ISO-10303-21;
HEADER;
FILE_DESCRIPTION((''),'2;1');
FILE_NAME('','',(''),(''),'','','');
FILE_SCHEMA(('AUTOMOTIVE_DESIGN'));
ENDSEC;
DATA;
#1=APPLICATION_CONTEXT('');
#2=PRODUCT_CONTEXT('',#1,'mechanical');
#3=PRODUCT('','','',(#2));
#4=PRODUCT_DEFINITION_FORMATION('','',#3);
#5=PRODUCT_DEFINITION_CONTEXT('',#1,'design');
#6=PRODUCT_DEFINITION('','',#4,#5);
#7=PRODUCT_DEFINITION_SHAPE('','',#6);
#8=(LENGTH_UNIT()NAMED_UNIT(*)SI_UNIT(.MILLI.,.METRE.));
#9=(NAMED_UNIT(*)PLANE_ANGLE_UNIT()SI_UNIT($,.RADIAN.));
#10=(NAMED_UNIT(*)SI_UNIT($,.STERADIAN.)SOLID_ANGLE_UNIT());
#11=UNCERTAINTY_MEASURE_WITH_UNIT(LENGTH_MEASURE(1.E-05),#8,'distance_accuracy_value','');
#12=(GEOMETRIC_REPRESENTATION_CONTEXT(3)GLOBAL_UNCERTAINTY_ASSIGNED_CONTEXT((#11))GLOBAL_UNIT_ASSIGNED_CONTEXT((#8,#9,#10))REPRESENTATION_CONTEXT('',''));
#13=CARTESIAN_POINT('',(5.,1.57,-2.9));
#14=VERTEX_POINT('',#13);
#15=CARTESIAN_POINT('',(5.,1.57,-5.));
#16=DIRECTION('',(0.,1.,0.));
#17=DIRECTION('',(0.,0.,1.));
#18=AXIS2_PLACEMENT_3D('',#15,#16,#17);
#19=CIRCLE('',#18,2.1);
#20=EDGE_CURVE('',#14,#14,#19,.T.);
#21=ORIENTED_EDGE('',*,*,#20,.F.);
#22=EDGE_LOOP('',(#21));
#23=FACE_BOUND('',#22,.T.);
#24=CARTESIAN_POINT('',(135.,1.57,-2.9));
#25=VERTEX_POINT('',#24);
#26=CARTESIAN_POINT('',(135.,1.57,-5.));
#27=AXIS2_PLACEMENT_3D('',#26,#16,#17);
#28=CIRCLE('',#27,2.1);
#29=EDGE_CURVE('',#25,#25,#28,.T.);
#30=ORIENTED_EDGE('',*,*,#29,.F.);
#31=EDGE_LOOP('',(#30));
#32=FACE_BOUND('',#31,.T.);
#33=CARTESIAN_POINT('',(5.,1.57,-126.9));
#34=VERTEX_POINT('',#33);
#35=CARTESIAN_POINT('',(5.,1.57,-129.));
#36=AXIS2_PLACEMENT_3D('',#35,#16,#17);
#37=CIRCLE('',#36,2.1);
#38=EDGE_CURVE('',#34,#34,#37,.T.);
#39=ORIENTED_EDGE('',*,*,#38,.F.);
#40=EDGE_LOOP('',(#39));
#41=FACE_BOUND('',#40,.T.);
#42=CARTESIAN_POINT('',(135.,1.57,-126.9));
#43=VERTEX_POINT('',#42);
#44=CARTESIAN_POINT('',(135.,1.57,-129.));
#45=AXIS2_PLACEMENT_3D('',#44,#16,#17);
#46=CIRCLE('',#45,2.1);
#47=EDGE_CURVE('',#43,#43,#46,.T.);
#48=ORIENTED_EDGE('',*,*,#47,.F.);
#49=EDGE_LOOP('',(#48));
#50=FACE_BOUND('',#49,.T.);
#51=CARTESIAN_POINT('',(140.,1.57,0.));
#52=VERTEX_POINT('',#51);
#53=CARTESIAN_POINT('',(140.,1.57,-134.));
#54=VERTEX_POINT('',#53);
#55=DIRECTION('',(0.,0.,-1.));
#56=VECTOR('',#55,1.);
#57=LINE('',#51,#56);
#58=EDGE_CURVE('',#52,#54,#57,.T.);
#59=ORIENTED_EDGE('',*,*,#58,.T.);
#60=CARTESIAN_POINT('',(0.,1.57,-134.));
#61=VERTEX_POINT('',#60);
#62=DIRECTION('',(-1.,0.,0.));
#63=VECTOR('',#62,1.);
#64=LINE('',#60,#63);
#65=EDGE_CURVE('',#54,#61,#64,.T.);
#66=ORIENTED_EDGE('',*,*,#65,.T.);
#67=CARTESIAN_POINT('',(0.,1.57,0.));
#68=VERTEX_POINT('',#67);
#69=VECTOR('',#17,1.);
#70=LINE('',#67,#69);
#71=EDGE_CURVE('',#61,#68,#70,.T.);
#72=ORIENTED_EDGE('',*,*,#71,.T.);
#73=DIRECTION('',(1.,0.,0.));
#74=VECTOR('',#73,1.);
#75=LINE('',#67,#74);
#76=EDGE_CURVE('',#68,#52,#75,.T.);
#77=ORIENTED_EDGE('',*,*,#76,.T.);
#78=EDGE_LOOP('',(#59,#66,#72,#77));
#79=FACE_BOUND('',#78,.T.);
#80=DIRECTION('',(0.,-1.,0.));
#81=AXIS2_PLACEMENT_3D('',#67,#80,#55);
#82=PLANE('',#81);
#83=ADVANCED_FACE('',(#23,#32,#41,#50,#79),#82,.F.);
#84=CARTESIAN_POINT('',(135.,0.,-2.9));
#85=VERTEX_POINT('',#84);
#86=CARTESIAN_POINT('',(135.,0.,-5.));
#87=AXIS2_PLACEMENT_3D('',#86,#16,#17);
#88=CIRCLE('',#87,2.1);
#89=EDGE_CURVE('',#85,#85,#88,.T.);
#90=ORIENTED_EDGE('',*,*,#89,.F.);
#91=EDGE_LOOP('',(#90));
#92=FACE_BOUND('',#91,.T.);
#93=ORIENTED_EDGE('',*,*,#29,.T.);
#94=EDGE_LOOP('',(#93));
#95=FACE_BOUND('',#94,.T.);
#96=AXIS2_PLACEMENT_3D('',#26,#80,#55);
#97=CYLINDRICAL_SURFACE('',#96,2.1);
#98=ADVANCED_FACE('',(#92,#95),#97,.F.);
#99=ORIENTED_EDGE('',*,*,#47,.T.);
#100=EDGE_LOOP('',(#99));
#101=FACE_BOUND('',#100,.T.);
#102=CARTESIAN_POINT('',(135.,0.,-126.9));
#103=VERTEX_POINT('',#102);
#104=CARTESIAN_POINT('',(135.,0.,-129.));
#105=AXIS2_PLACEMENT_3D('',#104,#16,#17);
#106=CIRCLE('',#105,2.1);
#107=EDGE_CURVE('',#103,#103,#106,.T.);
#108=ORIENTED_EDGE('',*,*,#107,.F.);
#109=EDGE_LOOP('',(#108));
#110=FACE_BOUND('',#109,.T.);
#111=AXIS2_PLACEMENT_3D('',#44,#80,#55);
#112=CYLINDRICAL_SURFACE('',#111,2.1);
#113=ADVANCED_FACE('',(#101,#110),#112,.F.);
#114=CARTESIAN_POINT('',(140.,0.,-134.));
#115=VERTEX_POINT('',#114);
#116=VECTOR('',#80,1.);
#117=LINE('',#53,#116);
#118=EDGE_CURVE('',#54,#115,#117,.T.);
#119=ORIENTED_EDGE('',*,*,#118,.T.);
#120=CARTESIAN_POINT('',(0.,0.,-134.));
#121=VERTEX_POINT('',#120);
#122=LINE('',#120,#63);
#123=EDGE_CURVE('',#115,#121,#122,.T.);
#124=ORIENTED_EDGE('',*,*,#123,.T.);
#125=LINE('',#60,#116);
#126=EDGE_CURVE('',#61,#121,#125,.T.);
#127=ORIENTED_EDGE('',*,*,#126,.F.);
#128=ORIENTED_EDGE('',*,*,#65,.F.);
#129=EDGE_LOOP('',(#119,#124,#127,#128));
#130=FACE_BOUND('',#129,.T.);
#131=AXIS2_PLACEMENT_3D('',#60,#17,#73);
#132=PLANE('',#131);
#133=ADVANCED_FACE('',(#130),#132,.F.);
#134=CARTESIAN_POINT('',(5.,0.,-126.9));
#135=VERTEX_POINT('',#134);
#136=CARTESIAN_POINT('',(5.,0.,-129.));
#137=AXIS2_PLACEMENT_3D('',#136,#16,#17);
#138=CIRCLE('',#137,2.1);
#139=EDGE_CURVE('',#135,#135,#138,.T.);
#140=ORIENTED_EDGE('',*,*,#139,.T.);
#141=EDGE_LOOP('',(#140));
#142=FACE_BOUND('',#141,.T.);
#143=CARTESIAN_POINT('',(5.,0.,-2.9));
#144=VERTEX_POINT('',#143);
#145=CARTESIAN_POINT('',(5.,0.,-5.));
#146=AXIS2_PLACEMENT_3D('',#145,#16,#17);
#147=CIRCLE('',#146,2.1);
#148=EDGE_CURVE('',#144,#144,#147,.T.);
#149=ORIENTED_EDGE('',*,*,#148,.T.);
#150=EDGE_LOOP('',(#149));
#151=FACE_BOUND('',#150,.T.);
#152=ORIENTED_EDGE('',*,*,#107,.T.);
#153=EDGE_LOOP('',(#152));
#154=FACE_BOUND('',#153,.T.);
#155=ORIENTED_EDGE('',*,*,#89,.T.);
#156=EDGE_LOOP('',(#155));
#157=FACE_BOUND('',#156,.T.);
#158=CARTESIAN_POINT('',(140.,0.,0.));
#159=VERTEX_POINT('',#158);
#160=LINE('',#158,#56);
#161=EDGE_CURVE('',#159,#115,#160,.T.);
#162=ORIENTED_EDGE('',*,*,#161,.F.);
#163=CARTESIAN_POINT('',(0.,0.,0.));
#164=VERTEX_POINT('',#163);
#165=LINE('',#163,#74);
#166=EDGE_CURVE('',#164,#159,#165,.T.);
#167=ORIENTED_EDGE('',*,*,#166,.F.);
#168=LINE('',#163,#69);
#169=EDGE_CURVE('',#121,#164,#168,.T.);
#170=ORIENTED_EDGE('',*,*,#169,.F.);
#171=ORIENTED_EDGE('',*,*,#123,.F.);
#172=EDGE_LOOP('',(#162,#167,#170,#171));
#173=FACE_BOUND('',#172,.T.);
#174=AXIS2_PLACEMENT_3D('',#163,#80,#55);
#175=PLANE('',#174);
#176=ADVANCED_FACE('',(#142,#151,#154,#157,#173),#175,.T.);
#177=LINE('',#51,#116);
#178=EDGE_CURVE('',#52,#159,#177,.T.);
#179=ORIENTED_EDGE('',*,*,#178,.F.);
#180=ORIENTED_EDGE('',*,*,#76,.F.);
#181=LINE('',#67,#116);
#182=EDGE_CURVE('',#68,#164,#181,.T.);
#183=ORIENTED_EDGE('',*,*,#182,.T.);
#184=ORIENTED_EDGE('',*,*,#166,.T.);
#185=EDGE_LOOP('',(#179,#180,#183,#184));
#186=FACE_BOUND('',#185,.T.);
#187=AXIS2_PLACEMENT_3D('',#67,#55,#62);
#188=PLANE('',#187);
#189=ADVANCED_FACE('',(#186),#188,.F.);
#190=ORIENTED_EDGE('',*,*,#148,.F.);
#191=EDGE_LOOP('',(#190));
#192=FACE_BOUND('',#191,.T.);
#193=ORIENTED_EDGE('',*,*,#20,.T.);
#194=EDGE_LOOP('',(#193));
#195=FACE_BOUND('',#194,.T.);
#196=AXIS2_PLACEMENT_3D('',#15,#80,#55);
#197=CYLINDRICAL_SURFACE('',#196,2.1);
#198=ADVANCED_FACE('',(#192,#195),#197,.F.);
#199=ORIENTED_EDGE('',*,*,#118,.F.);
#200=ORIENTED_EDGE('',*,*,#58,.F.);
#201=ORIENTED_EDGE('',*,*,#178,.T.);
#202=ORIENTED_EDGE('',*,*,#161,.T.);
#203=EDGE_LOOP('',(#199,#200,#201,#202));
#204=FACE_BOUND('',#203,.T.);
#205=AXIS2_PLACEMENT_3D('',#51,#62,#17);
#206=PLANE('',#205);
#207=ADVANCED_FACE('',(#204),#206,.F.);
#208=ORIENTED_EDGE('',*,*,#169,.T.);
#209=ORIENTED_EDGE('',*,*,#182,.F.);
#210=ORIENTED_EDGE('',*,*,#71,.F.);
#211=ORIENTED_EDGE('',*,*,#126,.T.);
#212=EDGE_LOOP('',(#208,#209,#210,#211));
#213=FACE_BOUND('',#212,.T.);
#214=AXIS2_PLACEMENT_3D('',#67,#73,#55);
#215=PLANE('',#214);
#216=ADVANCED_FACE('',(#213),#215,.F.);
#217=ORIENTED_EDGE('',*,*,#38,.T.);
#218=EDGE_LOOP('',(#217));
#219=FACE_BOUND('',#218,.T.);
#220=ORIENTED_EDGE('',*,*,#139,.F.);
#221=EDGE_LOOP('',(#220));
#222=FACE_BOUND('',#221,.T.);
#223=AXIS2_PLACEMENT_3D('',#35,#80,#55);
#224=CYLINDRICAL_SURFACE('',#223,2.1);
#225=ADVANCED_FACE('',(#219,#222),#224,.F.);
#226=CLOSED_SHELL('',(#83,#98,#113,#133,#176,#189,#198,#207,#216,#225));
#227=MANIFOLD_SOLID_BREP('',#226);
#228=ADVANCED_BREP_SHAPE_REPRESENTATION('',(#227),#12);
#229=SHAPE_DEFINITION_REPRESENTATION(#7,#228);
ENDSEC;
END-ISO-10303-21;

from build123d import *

# Parameters (mm, degrees)
SKETCH1_W           = 140
SKETCH1_H           = 134
SKETCH1_R           = 2.1
BOSS_EXTRUDE1_DEPTH = 1.57


with BuildPart() as part:
    # Sketch1 → Boss-Extrude1 (new body)
    with BuildSketch(Plane(origin=(0, 0, 0), x_dir=(1, 0, 0), z_dir=(0, 1, 0))):
        with Locations((70, 67)):
            Rectangle(SKETCH1_W, SKETCH1_H)
        with Locations(Location((5, 129, 0), (0, 0, 270))):
            Circle(SKETCH1_R, mode=Mode.SUBTRACT)
        with Locations(Location((135, 129, 0), (0, 0, 270))):
            Circle(SKETCH1_R, mode=Mode.SUBTRACT)
        with Locations(Location((135, 5, 0), (0, 0, 270))):
            Circle(SKETCH1_R, mode=Mode.SUBTRACT)
        with Locations(Location((5, 5, 0), (0, 0, 270))):
            Circle(SKETCH1_R, mode=Mode.SUBTRACT)
    extrude(amount=BOSS_EXTRUDE1_DEPTH)


solid = part.part
